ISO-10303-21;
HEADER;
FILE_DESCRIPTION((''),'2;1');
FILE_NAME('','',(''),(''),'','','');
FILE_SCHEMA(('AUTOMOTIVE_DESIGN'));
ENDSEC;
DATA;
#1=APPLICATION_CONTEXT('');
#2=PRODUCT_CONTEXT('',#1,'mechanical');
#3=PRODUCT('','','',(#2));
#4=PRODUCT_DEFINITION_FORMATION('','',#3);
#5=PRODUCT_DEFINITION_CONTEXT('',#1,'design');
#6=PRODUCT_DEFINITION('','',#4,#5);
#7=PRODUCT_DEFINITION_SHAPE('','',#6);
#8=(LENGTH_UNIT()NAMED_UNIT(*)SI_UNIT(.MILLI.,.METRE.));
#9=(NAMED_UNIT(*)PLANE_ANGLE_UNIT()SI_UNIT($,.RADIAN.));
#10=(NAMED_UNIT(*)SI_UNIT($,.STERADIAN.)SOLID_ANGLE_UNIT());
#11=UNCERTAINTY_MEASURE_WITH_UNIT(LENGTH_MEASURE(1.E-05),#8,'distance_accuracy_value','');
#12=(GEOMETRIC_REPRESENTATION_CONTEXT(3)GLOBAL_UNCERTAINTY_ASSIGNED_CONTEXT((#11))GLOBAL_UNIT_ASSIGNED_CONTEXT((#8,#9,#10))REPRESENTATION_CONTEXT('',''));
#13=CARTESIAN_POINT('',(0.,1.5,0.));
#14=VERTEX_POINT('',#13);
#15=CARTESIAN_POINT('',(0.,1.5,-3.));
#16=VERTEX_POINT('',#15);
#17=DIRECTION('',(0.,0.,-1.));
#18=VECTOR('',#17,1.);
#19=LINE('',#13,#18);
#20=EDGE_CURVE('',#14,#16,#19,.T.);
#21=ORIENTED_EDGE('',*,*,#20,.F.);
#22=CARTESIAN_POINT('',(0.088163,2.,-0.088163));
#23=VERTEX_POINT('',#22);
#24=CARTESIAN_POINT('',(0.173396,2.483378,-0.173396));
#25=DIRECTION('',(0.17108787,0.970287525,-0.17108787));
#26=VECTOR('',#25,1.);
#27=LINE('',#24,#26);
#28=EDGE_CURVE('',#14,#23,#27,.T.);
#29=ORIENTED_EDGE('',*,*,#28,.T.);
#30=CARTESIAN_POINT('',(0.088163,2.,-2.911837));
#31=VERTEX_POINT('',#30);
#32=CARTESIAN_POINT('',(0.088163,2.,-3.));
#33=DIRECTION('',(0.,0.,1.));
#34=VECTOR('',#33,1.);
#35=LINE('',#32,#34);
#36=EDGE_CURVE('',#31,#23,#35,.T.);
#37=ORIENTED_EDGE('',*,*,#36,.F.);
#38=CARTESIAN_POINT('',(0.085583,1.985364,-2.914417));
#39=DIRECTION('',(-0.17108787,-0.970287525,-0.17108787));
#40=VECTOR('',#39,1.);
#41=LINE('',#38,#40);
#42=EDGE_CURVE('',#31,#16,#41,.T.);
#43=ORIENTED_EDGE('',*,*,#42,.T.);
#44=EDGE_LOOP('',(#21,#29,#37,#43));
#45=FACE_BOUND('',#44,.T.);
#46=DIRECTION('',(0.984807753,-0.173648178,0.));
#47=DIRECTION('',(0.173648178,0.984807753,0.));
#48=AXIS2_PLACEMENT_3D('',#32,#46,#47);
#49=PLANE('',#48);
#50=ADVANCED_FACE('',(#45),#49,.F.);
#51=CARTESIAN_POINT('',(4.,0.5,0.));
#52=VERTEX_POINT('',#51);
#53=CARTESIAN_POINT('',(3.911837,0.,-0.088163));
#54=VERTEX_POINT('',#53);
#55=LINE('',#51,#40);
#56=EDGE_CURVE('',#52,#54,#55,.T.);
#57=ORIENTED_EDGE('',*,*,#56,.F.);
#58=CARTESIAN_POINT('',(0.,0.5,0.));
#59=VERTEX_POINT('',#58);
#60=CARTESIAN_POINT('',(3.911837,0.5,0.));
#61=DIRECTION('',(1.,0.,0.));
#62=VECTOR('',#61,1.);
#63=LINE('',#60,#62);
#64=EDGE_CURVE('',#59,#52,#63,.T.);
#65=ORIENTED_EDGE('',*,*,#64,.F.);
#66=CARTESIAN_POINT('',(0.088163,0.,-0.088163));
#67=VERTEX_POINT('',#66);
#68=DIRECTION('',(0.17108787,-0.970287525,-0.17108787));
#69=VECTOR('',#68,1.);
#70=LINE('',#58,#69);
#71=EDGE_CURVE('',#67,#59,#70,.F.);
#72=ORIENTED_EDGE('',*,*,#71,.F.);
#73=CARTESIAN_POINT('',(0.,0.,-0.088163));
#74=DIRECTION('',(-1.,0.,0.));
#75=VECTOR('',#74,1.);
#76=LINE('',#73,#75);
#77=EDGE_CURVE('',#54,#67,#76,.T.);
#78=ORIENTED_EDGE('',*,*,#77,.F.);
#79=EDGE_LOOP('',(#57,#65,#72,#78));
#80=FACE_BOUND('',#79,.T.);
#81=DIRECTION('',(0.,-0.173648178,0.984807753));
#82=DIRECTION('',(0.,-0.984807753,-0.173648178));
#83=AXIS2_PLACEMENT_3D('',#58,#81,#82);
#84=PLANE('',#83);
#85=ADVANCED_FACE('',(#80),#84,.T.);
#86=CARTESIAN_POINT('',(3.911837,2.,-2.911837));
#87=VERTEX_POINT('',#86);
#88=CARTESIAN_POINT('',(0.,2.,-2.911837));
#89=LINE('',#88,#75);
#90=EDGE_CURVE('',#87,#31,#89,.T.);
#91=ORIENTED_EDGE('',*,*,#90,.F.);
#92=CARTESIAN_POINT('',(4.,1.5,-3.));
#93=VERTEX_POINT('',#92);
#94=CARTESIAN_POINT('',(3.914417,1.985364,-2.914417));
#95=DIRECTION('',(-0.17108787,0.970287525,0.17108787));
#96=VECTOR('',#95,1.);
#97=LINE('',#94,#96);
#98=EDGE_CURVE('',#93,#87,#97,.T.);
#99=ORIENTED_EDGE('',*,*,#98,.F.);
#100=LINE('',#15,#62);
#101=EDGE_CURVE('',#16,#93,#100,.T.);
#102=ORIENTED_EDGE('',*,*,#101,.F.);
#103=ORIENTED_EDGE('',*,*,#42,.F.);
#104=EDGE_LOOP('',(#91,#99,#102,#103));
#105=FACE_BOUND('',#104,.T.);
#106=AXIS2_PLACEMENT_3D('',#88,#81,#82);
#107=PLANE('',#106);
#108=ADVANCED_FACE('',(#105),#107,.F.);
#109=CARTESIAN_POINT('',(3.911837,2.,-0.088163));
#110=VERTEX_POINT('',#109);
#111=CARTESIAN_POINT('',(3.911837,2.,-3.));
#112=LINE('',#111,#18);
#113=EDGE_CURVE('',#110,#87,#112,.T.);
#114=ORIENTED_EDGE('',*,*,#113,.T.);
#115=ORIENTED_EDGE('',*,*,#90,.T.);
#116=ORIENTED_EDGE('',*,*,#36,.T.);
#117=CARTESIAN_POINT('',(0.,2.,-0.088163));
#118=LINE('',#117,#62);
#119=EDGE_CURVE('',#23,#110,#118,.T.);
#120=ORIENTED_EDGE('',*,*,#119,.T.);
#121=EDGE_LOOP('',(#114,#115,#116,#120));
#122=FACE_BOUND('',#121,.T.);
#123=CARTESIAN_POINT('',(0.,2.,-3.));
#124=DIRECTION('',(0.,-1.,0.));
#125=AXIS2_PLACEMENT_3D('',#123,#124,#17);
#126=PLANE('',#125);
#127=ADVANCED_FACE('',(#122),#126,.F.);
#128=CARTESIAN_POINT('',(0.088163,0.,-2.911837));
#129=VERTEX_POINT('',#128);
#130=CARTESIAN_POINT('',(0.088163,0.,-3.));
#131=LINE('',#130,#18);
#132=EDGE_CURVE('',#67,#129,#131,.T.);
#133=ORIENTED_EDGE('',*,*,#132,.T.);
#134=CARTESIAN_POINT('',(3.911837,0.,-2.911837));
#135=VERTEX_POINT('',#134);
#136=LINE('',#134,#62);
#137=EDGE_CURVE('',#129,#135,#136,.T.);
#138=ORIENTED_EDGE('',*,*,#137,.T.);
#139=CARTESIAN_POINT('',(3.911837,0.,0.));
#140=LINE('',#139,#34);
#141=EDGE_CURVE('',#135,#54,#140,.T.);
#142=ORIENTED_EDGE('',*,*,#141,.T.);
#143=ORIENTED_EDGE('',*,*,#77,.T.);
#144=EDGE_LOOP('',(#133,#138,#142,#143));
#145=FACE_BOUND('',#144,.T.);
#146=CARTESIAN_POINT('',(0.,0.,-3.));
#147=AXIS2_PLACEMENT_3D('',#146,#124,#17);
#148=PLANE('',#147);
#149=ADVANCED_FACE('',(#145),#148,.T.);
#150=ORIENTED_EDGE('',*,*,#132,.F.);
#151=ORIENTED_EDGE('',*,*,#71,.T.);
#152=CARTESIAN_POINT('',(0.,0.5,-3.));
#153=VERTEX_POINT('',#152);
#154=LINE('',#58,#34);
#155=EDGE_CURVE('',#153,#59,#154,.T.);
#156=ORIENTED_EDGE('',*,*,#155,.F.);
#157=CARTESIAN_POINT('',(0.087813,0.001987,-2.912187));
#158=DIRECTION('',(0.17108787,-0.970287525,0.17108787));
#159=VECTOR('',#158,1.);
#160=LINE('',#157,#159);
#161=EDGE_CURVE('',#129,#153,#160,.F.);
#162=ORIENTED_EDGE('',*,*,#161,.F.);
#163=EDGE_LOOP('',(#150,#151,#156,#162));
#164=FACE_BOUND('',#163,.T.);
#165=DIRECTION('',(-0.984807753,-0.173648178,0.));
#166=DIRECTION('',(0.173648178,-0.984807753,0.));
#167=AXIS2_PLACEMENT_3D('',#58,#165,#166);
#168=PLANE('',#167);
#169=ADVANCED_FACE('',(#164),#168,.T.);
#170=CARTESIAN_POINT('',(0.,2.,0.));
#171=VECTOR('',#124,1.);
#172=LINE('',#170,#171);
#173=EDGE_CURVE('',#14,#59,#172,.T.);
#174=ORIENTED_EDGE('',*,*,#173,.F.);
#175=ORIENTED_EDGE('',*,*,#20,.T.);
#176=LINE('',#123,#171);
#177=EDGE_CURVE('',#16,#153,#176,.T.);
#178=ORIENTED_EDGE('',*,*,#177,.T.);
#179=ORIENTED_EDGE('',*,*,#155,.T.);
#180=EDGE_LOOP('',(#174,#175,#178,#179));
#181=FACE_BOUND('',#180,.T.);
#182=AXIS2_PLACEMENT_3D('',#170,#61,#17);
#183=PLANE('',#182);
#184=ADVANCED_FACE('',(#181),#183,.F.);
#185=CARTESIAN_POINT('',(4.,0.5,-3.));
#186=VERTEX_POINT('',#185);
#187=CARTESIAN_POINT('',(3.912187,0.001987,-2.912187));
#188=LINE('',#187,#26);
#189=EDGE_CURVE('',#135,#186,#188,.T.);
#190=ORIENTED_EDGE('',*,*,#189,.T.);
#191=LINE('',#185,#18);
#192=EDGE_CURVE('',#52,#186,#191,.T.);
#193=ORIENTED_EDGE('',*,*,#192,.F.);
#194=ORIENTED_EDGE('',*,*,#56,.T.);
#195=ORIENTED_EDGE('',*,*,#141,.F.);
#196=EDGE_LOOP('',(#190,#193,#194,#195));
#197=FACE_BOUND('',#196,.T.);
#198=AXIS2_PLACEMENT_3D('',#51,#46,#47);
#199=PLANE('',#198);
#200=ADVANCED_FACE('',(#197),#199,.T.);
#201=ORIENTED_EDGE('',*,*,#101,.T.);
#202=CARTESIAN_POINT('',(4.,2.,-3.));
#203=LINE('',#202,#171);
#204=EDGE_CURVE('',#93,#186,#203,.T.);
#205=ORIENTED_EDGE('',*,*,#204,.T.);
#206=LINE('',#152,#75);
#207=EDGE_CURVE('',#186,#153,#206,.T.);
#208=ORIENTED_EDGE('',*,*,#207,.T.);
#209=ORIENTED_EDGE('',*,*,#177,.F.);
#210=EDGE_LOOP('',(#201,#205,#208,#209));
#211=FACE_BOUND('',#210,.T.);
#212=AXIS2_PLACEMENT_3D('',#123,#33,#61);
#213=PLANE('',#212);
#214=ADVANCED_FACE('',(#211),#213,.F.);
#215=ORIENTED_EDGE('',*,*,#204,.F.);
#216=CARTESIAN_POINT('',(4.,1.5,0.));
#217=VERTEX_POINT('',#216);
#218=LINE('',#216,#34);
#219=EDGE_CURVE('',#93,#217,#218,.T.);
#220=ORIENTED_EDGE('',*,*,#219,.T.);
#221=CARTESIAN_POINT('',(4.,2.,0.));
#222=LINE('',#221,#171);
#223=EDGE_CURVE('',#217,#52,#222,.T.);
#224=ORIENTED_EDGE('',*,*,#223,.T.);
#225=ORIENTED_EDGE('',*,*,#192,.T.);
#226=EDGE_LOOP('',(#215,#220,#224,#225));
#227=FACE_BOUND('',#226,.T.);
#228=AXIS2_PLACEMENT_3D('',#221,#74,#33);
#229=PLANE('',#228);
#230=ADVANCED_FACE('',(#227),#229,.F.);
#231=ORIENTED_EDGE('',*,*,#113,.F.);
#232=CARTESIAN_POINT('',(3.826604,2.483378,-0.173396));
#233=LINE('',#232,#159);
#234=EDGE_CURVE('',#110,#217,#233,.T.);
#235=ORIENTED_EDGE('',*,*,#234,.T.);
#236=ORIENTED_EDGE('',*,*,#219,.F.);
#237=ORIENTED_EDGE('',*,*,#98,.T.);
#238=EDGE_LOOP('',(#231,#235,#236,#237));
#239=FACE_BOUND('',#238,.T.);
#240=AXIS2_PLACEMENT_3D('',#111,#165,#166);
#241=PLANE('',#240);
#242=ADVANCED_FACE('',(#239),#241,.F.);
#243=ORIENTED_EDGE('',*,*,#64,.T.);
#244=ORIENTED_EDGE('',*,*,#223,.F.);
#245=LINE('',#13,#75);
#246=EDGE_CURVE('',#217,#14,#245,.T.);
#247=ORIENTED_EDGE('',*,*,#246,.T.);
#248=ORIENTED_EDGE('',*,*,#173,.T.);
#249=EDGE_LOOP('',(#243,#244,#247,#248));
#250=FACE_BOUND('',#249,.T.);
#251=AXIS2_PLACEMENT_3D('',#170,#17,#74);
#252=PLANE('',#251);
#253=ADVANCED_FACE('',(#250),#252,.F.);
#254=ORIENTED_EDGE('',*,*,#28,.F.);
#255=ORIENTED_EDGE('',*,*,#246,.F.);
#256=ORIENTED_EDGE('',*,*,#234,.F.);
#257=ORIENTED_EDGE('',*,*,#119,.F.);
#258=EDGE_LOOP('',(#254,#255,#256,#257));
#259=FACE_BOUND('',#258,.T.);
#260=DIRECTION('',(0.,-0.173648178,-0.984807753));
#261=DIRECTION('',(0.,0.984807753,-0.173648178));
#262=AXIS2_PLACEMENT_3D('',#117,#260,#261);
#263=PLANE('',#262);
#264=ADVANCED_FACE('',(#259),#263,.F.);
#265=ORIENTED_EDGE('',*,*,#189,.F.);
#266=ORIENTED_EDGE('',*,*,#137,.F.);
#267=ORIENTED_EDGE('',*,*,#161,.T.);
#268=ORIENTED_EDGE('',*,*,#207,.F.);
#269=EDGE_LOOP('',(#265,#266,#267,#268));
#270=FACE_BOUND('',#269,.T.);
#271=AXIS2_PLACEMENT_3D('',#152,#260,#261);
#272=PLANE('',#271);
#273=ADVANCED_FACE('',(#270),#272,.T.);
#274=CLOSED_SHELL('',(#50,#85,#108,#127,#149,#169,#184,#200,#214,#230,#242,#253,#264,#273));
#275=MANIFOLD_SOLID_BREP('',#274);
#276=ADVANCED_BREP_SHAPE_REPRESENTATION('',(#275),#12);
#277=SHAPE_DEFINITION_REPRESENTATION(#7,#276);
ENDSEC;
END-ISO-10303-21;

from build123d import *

# Parameters (mm, degrees)
ESQUISSE1_W             = 4
ESQUISSE1_H             = 3
EXTRUSION1_DEPTH        = 2
CHANFREIN1_SIZE         = 0.5
CHANFREIN1_SIZE2        = 0.08816349
CHANFREIN2_SIZE         = 0.5
CHANFREIN2_SIZE2        = 0.08816349
CHANFREIN3_SIZE         = 0.5
CHANFREIN3_SIZE2        = 0.08816349
CHANFREIN3_PART_2_SIZE  = 0.5
CHANFREIN3_PART_2_SIZE2 = 0.08816349
CHANFREIN4_SIZE         = 0.5
CHANFREIN4_SIZE2        = 0.08816349
CHANFREIN5_SIZE         = 0.5
CHANFREIN5_SIZE2        = 0.08816349
CHANFREIN5_PART_2_SIZE  = 0.5
CHANFREIN5_PART_2_SIZE2 = 0.08816349
CHANFREIN5_PART_3_SIZE  = 0.5
CHANFREIN5_PART_3_SIZE2 = 0.08816349


with BuildPart() as part:
    # Esquisse1 → Extrusion1 (new body)
    with BuildSketch(Plane(origin=(0, 0, 0), x_dir=(1, 0, 0), z_dir=(0, 1, 0))):
        with Locations((2, 1.5)):
            Rectangle(ESQUISSE1_W, ESQUISSE1_H)
    extrude(amount=EXTRUSION1_DEPTH)

    # Chanfrein1
    chanfrein1_edges = [part.edges().sort_by_distance(p)[0] for p in [
        (4, 2, -1.5),
    ]]
    chanfrein1_side = [part.faces().sort_by_distance(p)[0] for p in [
        (4, 1, -1.5),
    ]]
    chamfer(chanfrein1_edges, length=CHANFREIN1_SIZE, length2=CHANFREIN1_SIZE2, reference=chanfrein1_side[0])

    # Chanfrein2
    chanfrein2_edges = [part.edges().sort_by_distance(p)[0] for p in [
        (0, 2, -1.5),
    ]]
    chanfrein2_side = [part.faces().sort_by_distance(p)[0] for p in [
        (0, 1, -1.5),
    ]]
    chamfer(chanfrein2_edges, length=CHANFREIN2_SIZE, length2=CHANFREIN2_SIZE2, reference=chanfrein2_side[0])

    # Chanfrein3
    chanfrein3_edges = [part.edges().sort_by_distance(p)[0] for p in [
        (2, 2, -3),
    ]]
    chanfrein3_side = [part.faces().sort_by_distance(p)[0] for p in [
        (2, 0.995382709, -3),
    ]]
    chamfer(chanfrein3_edges, length=CHANFREIN3_SIZE, length2=CHANFREIN3_SIZE2, reference=chanfrein3_side[0])

    # Chanfrein3 part 2
    chanfrein3_part_2_edges = [part.edges().sort_by_distance(p)[0] for p in [
        (2, 2, 0),
    ]]
    chanfrein3_part_2_side = [part.faces().sort_by_distance(p)[0] for p in [
        (2, 0.995382709, 0),
    ]]
    chamfer(chanfrein3_part_2_edges, length=CHANFREIN3_PART_2_SIZE, length2=CHANFREIN3_PART_2_SIZE2, reference=chanfrein3_part_2_side[0])

    # Chanfrein4
    chanfrein4_edges = [part.edges().sort_by_distance(p)[0] for p in [
        (4, 0, -1.5),
    ]]
    chanfrein4_side = [part.faces().sort_by_distance(p)[0] for p in [
        (4, 0.75, -1.5),
    ]]
    chamfer(chanfrein4_edges, length=CHANFREIN4_SIZE, length2=CHANFREIN4_SIZE2, reference=chanfrein4_side[0])

    # Chanfrein5
    chanfrein5_edges = [part.edges().sort_by_distance(p)[0] for p in [
        (1.955918255, 0, -3),
    ]]
    chanfrein5_side = [part.faces().sort_by_distance(p)[0] for p in [
        (1.992734308, 0.752150763, -3),
    ]]
    chamfer(chanfrein5_edges, length=CHANFREIN5_SIZE, length2=CHANFREIN5_SIZE2, reference=chanfrein5_side[0])

    # Chanfrein5 part 2
    chanfrein5_part_2_edges = [part.edges().sort_by_distance(p)[0] for p in [
        (0, 0, -1.5),
    ]]
    chanfrein5_part_2_side = [part.faces().sort_by_distance(p)[0] for p in [
        (0, 0.75, -1.5),
    ]]
    chamfer(chanfrein5_part_2_edges, length=CHANFREIN5_PART_2_SIZE, length2=CHANFREIN5_PART_2_SIZE2, reference=chanfrein5_part_2_side[0])

    # Chanfrein5 part 3
    chanfrein5_part_3_edges = [part.edges().sort_by_distance(p)[0] for p in [
        (1.955918255, 0, 0),
    ]]
    chanfrein5_part_3_side = [part.faces().sort_by_distance(p)[0] for p in [
        (1.992734308, 0.752150763, 0),
    ]]
    chamfer(chanfrein5_part_3_edges, length=CHANFREIN5_PART_3_SIZE, length2=CHANFREIN5_PART_3_SIZE2, reference=chanfrein5_part_3_side[0])


solid = part.part
